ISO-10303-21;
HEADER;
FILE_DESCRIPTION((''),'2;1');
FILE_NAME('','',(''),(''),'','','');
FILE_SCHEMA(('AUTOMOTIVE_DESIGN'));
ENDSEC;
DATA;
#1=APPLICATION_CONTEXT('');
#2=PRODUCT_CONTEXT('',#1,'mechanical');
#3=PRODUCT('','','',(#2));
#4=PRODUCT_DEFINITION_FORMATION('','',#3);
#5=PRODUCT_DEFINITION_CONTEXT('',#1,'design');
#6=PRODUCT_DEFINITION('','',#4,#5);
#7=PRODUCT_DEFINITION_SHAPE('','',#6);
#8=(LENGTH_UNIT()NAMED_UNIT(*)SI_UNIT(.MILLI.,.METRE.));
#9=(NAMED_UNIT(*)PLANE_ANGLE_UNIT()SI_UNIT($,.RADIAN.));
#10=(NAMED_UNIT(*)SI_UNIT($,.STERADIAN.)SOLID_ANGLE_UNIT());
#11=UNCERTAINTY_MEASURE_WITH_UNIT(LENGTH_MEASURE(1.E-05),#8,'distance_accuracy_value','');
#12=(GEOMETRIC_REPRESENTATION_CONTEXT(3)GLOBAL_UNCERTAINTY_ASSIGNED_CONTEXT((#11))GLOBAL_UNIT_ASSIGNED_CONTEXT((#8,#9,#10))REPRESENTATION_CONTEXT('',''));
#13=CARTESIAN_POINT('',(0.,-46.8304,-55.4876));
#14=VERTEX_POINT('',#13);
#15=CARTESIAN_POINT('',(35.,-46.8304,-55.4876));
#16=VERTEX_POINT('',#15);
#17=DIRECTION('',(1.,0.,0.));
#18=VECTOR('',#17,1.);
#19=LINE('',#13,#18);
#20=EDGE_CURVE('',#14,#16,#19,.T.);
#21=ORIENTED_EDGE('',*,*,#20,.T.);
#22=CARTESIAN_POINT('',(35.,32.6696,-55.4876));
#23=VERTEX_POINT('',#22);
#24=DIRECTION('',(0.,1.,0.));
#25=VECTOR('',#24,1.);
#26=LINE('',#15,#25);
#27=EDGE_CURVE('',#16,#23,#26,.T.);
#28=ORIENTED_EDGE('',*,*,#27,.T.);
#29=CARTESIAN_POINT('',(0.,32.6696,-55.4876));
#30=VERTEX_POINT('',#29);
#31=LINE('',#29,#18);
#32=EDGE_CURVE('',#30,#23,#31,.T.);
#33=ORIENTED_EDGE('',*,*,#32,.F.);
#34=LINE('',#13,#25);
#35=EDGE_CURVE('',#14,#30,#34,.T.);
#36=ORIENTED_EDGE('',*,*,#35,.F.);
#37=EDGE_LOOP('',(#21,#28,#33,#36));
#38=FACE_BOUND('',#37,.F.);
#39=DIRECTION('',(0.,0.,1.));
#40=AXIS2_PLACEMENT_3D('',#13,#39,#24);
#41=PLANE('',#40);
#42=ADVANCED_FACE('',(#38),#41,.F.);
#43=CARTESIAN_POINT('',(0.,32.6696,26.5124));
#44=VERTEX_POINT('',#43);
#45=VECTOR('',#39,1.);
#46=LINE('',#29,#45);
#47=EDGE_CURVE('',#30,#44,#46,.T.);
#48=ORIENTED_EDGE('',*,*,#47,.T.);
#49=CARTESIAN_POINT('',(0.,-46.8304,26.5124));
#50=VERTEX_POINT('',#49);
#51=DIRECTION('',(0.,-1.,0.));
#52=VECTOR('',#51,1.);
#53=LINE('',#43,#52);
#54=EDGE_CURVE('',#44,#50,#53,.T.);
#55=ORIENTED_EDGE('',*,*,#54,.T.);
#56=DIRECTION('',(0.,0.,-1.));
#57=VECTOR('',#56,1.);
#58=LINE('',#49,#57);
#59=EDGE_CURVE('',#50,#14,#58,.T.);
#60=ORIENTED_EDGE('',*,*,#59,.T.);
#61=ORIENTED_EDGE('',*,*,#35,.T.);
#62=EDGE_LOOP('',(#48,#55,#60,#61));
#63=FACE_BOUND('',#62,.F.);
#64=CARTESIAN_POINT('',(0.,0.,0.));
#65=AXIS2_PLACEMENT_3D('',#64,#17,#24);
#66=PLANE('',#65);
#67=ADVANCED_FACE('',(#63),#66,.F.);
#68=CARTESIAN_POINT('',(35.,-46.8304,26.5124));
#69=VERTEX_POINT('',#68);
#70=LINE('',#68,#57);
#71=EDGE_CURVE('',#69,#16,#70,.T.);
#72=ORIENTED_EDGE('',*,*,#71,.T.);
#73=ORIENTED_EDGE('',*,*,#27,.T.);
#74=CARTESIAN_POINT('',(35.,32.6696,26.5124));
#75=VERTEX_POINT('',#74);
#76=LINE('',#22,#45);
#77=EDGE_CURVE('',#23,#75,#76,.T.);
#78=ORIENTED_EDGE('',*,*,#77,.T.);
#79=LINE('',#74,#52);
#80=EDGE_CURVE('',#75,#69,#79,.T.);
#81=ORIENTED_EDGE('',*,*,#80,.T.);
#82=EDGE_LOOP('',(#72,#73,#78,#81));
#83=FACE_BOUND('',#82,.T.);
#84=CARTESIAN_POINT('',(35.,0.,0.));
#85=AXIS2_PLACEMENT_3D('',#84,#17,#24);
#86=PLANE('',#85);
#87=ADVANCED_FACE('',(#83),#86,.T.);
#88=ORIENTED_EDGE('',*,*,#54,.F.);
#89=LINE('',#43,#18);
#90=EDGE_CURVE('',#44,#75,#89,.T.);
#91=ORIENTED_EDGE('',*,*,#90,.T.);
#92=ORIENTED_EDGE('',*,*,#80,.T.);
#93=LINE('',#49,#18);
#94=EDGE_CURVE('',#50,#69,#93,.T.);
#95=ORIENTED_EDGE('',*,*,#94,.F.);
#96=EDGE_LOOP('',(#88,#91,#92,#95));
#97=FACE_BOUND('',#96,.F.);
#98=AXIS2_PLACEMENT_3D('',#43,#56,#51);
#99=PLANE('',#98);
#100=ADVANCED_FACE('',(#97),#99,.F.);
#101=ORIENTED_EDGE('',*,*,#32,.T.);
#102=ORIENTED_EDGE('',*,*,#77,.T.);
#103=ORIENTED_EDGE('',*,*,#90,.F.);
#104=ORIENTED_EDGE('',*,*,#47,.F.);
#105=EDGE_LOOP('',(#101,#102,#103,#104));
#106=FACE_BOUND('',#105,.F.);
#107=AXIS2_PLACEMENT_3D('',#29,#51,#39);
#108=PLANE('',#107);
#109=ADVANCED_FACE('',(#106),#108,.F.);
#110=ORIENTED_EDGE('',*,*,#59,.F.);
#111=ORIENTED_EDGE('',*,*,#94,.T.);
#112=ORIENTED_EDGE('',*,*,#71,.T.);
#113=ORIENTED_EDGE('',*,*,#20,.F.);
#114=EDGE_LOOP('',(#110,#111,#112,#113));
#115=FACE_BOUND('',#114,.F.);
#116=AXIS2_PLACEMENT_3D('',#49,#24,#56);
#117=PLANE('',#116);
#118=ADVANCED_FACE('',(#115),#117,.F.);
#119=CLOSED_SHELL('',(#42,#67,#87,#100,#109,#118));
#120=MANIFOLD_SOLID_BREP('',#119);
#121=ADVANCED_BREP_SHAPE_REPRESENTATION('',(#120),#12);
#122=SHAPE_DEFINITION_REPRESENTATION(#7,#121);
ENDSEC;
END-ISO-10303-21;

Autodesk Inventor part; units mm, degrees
ref_plane "YZ Plane" through (0, 0, 0) normal (1, 0, 0) x (0, 1, 0)
ref_plane "XZ Plane" through (0, 0, 0) normal (0, 1, 0) x (-1, 0, 0)
ref_plane "XY Plane" through (0, 0, 0) normal (0, 0, 1) x (1, 0, 0)
sketch "Sketch1" plane through (0, 0, 0) normal (1, 0, 0) x (0, 1, 0)
  line L0 (32.6696, 26.5124) -> (-46.8304, 26.5124)
  line L1 (-46.8304, 26.5124) -> (-46.8304, -55.4876)
  line L2 (-46.8304, -55.4876) -> (32.6696, -55.4876)
  line L3 (32.6696, -55.4876) -> (32.6696, 26.5124)
  point P0 (0, 0)
  dimension "d0" = 82
  dimension "d1" = 79.5
extrude "Extrusion1" add sketch "Sketch1" along normal blind 35
properties part number "solenoid_dvr"
